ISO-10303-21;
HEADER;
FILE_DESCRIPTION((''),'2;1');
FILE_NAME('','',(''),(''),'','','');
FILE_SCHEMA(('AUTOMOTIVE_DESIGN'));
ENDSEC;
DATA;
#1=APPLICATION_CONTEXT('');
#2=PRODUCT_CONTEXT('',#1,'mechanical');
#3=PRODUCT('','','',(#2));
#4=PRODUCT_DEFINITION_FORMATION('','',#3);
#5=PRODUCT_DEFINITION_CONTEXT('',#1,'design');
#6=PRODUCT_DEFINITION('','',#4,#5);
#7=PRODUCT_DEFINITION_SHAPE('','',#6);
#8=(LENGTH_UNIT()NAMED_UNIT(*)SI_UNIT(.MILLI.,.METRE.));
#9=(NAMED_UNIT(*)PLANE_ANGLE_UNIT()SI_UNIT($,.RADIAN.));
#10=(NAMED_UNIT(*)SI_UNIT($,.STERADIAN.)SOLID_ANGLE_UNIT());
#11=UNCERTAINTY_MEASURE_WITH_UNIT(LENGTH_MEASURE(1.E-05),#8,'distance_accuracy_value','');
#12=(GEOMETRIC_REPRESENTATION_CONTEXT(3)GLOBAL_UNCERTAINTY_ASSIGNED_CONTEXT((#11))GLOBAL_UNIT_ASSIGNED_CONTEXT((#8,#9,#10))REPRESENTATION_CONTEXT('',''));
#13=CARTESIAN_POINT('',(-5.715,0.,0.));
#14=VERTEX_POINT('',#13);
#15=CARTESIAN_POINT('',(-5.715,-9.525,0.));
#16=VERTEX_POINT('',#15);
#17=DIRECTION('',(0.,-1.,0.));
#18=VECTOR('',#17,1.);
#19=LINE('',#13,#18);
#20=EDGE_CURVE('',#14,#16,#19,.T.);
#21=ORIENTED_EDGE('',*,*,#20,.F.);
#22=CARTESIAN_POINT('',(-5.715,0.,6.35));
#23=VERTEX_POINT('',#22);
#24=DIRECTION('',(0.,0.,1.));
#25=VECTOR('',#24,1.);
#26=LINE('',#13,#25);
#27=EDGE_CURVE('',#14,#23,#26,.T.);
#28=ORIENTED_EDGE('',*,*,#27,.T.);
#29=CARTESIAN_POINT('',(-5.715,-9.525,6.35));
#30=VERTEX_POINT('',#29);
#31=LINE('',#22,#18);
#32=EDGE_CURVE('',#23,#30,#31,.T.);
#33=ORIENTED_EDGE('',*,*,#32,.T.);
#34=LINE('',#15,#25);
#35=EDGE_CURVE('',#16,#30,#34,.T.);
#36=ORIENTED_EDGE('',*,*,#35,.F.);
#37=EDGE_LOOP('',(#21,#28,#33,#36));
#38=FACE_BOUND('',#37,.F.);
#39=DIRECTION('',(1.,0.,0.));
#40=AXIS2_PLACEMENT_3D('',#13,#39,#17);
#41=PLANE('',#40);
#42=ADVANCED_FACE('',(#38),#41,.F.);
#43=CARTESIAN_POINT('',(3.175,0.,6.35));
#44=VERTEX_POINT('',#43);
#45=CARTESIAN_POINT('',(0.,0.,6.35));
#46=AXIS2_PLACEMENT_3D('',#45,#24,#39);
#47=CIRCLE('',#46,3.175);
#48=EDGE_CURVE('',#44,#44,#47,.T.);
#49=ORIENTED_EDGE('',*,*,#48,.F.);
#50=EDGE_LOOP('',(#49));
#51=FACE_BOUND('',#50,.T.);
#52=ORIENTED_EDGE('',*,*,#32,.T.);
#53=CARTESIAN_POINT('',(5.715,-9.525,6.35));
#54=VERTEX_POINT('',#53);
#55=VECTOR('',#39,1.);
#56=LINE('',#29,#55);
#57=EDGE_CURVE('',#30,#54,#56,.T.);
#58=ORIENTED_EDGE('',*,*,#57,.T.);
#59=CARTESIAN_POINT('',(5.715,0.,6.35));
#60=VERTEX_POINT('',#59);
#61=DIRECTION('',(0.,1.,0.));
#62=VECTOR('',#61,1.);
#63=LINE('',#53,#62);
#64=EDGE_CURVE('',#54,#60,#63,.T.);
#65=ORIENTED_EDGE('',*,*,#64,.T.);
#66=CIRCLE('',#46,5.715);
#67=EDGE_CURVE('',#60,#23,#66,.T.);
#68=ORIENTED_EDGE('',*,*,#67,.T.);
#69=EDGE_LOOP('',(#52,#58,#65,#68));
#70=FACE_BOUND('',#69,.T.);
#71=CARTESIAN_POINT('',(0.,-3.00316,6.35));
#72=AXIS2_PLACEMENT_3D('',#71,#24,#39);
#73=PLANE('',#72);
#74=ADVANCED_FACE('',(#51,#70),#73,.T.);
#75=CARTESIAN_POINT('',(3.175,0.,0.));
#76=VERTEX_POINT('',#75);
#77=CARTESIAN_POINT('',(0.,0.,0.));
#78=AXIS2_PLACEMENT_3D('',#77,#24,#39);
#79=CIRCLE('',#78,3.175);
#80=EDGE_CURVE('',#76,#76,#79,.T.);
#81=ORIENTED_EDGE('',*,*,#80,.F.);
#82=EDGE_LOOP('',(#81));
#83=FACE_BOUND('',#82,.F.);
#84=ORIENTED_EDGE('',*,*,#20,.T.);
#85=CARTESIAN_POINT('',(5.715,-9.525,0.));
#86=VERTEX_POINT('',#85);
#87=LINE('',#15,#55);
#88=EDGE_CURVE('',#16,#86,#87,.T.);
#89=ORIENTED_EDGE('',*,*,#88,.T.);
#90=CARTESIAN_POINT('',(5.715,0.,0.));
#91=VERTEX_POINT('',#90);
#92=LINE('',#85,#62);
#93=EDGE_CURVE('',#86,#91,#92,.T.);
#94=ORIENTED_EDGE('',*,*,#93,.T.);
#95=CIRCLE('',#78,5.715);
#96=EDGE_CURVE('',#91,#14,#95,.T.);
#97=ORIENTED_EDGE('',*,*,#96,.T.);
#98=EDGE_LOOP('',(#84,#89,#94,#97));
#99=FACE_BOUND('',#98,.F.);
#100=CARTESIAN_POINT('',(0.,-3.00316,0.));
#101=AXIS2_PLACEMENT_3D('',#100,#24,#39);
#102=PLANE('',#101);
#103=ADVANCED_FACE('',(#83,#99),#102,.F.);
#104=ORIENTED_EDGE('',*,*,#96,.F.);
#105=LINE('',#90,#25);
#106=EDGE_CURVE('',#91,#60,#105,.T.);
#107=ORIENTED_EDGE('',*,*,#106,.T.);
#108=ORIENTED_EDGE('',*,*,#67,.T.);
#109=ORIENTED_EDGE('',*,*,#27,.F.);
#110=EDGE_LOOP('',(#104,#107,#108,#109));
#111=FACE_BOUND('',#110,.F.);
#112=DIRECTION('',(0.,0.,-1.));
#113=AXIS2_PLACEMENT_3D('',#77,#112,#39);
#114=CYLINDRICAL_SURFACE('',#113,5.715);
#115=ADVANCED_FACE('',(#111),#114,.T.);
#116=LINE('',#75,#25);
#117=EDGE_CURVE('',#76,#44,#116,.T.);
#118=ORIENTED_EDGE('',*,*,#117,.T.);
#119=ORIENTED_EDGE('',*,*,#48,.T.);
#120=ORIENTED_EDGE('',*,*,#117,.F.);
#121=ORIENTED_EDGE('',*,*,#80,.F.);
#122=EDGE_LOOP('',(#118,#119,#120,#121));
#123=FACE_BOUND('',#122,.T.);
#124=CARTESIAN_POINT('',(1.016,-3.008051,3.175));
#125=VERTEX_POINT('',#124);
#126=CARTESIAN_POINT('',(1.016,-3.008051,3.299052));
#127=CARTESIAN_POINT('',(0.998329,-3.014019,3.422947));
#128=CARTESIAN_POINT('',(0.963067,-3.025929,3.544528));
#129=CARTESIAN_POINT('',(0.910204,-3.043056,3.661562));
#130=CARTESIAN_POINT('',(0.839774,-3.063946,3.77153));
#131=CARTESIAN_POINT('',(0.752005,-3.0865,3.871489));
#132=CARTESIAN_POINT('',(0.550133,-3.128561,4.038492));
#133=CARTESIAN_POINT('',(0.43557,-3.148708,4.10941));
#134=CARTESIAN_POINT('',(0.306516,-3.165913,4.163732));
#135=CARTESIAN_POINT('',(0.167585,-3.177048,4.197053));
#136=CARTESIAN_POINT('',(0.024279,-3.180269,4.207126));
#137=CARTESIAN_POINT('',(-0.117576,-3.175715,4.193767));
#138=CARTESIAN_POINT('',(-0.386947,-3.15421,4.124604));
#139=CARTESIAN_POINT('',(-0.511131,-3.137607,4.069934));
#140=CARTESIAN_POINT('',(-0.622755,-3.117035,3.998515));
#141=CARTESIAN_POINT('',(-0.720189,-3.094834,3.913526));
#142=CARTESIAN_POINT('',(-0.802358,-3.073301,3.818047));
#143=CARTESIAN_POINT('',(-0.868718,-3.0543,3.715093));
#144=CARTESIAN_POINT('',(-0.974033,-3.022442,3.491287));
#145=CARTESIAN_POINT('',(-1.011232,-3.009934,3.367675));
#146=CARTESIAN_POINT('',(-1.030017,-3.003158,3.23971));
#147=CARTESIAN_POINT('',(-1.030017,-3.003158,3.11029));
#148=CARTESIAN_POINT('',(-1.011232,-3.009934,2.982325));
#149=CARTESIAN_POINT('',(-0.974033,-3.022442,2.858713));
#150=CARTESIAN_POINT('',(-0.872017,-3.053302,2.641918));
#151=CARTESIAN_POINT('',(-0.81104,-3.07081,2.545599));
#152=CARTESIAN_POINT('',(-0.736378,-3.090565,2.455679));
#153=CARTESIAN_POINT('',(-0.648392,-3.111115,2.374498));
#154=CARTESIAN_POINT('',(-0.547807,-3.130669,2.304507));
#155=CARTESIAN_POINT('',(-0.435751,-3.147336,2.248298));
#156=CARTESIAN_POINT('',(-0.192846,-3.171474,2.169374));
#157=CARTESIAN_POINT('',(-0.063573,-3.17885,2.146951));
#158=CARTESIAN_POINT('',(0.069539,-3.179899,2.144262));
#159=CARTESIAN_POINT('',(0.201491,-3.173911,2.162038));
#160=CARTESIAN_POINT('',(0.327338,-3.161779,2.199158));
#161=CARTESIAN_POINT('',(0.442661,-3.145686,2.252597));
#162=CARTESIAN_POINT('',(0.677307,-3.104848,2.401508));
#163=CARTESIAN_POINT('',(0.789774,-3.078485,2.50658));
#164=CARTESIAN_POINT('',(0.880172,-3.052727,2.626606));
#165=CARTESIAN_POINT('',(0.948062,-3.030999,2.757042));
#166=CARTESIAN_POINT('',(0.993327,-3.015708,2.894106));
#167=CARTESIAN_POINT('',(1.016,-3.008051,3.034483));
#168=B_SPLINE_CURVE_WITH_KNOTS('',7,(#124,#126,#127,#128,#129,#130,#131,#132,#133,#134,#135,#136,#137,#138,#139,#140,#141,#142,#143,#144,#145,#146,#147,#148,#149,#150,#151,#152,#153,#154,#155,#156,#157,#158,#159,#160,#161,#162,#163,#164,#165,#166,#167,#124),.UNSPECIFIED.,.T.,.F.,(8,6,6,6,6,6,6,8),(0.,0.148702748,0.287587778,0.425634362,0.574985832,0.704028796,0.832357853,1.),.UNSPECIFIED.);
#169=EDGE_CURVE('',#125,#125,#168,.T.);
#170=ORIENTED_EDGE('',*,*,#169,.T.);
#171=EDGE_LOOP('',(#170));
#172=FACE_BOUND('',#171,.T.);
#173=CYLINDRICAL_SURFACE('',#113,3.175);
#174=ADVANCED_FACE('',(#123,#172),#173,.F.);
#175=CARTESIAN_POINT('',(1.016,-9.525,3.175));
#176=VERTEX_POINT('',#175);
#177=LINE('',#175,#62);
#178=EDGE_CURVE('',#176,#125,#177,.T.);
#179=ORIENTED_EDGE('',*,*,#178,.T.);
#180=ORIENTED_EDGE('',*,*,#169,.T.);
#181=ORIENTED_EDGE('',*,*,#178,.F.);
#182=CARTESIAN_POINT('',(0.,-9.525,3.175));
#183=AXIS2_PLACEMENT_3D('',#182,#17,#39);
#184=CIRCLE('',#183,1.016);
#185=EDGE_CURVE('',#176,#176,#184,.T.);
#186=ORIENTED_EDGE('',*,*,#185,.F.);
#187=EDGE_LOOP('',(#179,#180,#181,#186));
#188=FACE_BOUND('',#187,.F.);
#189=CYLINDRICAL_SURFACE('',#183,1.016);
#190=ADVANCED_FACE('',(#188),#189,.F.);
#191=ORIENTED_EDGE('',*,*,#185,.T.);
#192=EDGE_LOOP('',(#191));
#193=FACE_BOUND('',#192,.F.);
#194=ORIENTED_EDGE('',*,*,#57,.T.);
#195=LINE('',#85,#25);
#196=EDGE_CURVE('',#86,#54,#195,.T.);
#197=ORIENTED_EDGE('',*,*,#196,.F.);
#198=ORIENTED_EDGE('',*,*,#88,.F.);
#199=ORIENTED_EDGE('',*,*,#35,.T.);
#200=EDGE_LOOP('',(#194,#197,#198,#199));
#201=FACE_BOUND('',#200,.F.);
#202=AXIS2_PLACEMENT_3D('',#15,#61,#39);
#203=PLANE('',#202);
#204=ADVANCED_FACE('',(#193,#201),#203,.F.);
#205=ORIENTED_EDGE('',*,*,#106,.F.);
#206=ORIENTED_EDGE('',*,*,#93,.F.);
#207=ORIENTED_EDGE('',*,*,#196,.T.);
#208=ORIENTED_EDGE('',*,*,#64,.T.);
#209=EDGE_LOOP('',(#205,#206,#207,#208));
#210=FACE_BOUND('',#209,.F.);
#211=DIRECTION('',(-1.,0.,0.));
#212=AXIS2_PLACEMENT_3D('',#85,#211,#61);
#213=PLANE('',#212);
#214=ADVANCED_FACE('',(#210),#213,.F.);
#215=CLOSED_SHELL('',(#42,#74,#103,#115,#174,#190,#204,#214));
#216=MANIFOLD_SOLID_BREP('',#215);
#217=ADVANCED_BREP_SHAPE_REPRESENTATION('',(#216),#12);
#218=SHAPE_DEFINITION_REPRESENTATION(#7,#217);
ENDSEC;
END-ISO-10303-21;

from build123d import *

# Parameters (mm, degrees)
SKETCH1_R           = 3.175
BOSS_EXTRUDE1_DEPTH = 6.35
SKETCH2_R           = 1.016
CUT_EXTRUDE1_DEPTH  = 9.144


with BuildPart() as part:
    # Sketch1 → Boss-Extrude1 (new body)
    with BuildSketch(Plane.XY):
        with BuildLine():
            Line((-5.715, -9.525), (5.715, -9.525))
            Line((5.715, -9.525), (5.715, 0))
            ThreePointArc((5.715, 0), (0, 5.715), (-5.715, 0))
            Line((-5.715, 0), (-5.715, -9.525))
        make_face()
        Circle(SKETCH1_R, mode=Mode.SUBTRACT)
    extrude(amount=BOSS_EXTRUDE1_DEPTH)

    # Sketch2 → Cut-Extrude1 (cut)
    with BuildSketch(Plane.XZ.offset(9.525)):
        with Locations((0, 3.175)):
            Circle(SKETCH2_R)
    extrude(amount=-CUT_EXTRUDE1_DEPTH, mode=Mode.SUBTRACT)


solid = part.part
